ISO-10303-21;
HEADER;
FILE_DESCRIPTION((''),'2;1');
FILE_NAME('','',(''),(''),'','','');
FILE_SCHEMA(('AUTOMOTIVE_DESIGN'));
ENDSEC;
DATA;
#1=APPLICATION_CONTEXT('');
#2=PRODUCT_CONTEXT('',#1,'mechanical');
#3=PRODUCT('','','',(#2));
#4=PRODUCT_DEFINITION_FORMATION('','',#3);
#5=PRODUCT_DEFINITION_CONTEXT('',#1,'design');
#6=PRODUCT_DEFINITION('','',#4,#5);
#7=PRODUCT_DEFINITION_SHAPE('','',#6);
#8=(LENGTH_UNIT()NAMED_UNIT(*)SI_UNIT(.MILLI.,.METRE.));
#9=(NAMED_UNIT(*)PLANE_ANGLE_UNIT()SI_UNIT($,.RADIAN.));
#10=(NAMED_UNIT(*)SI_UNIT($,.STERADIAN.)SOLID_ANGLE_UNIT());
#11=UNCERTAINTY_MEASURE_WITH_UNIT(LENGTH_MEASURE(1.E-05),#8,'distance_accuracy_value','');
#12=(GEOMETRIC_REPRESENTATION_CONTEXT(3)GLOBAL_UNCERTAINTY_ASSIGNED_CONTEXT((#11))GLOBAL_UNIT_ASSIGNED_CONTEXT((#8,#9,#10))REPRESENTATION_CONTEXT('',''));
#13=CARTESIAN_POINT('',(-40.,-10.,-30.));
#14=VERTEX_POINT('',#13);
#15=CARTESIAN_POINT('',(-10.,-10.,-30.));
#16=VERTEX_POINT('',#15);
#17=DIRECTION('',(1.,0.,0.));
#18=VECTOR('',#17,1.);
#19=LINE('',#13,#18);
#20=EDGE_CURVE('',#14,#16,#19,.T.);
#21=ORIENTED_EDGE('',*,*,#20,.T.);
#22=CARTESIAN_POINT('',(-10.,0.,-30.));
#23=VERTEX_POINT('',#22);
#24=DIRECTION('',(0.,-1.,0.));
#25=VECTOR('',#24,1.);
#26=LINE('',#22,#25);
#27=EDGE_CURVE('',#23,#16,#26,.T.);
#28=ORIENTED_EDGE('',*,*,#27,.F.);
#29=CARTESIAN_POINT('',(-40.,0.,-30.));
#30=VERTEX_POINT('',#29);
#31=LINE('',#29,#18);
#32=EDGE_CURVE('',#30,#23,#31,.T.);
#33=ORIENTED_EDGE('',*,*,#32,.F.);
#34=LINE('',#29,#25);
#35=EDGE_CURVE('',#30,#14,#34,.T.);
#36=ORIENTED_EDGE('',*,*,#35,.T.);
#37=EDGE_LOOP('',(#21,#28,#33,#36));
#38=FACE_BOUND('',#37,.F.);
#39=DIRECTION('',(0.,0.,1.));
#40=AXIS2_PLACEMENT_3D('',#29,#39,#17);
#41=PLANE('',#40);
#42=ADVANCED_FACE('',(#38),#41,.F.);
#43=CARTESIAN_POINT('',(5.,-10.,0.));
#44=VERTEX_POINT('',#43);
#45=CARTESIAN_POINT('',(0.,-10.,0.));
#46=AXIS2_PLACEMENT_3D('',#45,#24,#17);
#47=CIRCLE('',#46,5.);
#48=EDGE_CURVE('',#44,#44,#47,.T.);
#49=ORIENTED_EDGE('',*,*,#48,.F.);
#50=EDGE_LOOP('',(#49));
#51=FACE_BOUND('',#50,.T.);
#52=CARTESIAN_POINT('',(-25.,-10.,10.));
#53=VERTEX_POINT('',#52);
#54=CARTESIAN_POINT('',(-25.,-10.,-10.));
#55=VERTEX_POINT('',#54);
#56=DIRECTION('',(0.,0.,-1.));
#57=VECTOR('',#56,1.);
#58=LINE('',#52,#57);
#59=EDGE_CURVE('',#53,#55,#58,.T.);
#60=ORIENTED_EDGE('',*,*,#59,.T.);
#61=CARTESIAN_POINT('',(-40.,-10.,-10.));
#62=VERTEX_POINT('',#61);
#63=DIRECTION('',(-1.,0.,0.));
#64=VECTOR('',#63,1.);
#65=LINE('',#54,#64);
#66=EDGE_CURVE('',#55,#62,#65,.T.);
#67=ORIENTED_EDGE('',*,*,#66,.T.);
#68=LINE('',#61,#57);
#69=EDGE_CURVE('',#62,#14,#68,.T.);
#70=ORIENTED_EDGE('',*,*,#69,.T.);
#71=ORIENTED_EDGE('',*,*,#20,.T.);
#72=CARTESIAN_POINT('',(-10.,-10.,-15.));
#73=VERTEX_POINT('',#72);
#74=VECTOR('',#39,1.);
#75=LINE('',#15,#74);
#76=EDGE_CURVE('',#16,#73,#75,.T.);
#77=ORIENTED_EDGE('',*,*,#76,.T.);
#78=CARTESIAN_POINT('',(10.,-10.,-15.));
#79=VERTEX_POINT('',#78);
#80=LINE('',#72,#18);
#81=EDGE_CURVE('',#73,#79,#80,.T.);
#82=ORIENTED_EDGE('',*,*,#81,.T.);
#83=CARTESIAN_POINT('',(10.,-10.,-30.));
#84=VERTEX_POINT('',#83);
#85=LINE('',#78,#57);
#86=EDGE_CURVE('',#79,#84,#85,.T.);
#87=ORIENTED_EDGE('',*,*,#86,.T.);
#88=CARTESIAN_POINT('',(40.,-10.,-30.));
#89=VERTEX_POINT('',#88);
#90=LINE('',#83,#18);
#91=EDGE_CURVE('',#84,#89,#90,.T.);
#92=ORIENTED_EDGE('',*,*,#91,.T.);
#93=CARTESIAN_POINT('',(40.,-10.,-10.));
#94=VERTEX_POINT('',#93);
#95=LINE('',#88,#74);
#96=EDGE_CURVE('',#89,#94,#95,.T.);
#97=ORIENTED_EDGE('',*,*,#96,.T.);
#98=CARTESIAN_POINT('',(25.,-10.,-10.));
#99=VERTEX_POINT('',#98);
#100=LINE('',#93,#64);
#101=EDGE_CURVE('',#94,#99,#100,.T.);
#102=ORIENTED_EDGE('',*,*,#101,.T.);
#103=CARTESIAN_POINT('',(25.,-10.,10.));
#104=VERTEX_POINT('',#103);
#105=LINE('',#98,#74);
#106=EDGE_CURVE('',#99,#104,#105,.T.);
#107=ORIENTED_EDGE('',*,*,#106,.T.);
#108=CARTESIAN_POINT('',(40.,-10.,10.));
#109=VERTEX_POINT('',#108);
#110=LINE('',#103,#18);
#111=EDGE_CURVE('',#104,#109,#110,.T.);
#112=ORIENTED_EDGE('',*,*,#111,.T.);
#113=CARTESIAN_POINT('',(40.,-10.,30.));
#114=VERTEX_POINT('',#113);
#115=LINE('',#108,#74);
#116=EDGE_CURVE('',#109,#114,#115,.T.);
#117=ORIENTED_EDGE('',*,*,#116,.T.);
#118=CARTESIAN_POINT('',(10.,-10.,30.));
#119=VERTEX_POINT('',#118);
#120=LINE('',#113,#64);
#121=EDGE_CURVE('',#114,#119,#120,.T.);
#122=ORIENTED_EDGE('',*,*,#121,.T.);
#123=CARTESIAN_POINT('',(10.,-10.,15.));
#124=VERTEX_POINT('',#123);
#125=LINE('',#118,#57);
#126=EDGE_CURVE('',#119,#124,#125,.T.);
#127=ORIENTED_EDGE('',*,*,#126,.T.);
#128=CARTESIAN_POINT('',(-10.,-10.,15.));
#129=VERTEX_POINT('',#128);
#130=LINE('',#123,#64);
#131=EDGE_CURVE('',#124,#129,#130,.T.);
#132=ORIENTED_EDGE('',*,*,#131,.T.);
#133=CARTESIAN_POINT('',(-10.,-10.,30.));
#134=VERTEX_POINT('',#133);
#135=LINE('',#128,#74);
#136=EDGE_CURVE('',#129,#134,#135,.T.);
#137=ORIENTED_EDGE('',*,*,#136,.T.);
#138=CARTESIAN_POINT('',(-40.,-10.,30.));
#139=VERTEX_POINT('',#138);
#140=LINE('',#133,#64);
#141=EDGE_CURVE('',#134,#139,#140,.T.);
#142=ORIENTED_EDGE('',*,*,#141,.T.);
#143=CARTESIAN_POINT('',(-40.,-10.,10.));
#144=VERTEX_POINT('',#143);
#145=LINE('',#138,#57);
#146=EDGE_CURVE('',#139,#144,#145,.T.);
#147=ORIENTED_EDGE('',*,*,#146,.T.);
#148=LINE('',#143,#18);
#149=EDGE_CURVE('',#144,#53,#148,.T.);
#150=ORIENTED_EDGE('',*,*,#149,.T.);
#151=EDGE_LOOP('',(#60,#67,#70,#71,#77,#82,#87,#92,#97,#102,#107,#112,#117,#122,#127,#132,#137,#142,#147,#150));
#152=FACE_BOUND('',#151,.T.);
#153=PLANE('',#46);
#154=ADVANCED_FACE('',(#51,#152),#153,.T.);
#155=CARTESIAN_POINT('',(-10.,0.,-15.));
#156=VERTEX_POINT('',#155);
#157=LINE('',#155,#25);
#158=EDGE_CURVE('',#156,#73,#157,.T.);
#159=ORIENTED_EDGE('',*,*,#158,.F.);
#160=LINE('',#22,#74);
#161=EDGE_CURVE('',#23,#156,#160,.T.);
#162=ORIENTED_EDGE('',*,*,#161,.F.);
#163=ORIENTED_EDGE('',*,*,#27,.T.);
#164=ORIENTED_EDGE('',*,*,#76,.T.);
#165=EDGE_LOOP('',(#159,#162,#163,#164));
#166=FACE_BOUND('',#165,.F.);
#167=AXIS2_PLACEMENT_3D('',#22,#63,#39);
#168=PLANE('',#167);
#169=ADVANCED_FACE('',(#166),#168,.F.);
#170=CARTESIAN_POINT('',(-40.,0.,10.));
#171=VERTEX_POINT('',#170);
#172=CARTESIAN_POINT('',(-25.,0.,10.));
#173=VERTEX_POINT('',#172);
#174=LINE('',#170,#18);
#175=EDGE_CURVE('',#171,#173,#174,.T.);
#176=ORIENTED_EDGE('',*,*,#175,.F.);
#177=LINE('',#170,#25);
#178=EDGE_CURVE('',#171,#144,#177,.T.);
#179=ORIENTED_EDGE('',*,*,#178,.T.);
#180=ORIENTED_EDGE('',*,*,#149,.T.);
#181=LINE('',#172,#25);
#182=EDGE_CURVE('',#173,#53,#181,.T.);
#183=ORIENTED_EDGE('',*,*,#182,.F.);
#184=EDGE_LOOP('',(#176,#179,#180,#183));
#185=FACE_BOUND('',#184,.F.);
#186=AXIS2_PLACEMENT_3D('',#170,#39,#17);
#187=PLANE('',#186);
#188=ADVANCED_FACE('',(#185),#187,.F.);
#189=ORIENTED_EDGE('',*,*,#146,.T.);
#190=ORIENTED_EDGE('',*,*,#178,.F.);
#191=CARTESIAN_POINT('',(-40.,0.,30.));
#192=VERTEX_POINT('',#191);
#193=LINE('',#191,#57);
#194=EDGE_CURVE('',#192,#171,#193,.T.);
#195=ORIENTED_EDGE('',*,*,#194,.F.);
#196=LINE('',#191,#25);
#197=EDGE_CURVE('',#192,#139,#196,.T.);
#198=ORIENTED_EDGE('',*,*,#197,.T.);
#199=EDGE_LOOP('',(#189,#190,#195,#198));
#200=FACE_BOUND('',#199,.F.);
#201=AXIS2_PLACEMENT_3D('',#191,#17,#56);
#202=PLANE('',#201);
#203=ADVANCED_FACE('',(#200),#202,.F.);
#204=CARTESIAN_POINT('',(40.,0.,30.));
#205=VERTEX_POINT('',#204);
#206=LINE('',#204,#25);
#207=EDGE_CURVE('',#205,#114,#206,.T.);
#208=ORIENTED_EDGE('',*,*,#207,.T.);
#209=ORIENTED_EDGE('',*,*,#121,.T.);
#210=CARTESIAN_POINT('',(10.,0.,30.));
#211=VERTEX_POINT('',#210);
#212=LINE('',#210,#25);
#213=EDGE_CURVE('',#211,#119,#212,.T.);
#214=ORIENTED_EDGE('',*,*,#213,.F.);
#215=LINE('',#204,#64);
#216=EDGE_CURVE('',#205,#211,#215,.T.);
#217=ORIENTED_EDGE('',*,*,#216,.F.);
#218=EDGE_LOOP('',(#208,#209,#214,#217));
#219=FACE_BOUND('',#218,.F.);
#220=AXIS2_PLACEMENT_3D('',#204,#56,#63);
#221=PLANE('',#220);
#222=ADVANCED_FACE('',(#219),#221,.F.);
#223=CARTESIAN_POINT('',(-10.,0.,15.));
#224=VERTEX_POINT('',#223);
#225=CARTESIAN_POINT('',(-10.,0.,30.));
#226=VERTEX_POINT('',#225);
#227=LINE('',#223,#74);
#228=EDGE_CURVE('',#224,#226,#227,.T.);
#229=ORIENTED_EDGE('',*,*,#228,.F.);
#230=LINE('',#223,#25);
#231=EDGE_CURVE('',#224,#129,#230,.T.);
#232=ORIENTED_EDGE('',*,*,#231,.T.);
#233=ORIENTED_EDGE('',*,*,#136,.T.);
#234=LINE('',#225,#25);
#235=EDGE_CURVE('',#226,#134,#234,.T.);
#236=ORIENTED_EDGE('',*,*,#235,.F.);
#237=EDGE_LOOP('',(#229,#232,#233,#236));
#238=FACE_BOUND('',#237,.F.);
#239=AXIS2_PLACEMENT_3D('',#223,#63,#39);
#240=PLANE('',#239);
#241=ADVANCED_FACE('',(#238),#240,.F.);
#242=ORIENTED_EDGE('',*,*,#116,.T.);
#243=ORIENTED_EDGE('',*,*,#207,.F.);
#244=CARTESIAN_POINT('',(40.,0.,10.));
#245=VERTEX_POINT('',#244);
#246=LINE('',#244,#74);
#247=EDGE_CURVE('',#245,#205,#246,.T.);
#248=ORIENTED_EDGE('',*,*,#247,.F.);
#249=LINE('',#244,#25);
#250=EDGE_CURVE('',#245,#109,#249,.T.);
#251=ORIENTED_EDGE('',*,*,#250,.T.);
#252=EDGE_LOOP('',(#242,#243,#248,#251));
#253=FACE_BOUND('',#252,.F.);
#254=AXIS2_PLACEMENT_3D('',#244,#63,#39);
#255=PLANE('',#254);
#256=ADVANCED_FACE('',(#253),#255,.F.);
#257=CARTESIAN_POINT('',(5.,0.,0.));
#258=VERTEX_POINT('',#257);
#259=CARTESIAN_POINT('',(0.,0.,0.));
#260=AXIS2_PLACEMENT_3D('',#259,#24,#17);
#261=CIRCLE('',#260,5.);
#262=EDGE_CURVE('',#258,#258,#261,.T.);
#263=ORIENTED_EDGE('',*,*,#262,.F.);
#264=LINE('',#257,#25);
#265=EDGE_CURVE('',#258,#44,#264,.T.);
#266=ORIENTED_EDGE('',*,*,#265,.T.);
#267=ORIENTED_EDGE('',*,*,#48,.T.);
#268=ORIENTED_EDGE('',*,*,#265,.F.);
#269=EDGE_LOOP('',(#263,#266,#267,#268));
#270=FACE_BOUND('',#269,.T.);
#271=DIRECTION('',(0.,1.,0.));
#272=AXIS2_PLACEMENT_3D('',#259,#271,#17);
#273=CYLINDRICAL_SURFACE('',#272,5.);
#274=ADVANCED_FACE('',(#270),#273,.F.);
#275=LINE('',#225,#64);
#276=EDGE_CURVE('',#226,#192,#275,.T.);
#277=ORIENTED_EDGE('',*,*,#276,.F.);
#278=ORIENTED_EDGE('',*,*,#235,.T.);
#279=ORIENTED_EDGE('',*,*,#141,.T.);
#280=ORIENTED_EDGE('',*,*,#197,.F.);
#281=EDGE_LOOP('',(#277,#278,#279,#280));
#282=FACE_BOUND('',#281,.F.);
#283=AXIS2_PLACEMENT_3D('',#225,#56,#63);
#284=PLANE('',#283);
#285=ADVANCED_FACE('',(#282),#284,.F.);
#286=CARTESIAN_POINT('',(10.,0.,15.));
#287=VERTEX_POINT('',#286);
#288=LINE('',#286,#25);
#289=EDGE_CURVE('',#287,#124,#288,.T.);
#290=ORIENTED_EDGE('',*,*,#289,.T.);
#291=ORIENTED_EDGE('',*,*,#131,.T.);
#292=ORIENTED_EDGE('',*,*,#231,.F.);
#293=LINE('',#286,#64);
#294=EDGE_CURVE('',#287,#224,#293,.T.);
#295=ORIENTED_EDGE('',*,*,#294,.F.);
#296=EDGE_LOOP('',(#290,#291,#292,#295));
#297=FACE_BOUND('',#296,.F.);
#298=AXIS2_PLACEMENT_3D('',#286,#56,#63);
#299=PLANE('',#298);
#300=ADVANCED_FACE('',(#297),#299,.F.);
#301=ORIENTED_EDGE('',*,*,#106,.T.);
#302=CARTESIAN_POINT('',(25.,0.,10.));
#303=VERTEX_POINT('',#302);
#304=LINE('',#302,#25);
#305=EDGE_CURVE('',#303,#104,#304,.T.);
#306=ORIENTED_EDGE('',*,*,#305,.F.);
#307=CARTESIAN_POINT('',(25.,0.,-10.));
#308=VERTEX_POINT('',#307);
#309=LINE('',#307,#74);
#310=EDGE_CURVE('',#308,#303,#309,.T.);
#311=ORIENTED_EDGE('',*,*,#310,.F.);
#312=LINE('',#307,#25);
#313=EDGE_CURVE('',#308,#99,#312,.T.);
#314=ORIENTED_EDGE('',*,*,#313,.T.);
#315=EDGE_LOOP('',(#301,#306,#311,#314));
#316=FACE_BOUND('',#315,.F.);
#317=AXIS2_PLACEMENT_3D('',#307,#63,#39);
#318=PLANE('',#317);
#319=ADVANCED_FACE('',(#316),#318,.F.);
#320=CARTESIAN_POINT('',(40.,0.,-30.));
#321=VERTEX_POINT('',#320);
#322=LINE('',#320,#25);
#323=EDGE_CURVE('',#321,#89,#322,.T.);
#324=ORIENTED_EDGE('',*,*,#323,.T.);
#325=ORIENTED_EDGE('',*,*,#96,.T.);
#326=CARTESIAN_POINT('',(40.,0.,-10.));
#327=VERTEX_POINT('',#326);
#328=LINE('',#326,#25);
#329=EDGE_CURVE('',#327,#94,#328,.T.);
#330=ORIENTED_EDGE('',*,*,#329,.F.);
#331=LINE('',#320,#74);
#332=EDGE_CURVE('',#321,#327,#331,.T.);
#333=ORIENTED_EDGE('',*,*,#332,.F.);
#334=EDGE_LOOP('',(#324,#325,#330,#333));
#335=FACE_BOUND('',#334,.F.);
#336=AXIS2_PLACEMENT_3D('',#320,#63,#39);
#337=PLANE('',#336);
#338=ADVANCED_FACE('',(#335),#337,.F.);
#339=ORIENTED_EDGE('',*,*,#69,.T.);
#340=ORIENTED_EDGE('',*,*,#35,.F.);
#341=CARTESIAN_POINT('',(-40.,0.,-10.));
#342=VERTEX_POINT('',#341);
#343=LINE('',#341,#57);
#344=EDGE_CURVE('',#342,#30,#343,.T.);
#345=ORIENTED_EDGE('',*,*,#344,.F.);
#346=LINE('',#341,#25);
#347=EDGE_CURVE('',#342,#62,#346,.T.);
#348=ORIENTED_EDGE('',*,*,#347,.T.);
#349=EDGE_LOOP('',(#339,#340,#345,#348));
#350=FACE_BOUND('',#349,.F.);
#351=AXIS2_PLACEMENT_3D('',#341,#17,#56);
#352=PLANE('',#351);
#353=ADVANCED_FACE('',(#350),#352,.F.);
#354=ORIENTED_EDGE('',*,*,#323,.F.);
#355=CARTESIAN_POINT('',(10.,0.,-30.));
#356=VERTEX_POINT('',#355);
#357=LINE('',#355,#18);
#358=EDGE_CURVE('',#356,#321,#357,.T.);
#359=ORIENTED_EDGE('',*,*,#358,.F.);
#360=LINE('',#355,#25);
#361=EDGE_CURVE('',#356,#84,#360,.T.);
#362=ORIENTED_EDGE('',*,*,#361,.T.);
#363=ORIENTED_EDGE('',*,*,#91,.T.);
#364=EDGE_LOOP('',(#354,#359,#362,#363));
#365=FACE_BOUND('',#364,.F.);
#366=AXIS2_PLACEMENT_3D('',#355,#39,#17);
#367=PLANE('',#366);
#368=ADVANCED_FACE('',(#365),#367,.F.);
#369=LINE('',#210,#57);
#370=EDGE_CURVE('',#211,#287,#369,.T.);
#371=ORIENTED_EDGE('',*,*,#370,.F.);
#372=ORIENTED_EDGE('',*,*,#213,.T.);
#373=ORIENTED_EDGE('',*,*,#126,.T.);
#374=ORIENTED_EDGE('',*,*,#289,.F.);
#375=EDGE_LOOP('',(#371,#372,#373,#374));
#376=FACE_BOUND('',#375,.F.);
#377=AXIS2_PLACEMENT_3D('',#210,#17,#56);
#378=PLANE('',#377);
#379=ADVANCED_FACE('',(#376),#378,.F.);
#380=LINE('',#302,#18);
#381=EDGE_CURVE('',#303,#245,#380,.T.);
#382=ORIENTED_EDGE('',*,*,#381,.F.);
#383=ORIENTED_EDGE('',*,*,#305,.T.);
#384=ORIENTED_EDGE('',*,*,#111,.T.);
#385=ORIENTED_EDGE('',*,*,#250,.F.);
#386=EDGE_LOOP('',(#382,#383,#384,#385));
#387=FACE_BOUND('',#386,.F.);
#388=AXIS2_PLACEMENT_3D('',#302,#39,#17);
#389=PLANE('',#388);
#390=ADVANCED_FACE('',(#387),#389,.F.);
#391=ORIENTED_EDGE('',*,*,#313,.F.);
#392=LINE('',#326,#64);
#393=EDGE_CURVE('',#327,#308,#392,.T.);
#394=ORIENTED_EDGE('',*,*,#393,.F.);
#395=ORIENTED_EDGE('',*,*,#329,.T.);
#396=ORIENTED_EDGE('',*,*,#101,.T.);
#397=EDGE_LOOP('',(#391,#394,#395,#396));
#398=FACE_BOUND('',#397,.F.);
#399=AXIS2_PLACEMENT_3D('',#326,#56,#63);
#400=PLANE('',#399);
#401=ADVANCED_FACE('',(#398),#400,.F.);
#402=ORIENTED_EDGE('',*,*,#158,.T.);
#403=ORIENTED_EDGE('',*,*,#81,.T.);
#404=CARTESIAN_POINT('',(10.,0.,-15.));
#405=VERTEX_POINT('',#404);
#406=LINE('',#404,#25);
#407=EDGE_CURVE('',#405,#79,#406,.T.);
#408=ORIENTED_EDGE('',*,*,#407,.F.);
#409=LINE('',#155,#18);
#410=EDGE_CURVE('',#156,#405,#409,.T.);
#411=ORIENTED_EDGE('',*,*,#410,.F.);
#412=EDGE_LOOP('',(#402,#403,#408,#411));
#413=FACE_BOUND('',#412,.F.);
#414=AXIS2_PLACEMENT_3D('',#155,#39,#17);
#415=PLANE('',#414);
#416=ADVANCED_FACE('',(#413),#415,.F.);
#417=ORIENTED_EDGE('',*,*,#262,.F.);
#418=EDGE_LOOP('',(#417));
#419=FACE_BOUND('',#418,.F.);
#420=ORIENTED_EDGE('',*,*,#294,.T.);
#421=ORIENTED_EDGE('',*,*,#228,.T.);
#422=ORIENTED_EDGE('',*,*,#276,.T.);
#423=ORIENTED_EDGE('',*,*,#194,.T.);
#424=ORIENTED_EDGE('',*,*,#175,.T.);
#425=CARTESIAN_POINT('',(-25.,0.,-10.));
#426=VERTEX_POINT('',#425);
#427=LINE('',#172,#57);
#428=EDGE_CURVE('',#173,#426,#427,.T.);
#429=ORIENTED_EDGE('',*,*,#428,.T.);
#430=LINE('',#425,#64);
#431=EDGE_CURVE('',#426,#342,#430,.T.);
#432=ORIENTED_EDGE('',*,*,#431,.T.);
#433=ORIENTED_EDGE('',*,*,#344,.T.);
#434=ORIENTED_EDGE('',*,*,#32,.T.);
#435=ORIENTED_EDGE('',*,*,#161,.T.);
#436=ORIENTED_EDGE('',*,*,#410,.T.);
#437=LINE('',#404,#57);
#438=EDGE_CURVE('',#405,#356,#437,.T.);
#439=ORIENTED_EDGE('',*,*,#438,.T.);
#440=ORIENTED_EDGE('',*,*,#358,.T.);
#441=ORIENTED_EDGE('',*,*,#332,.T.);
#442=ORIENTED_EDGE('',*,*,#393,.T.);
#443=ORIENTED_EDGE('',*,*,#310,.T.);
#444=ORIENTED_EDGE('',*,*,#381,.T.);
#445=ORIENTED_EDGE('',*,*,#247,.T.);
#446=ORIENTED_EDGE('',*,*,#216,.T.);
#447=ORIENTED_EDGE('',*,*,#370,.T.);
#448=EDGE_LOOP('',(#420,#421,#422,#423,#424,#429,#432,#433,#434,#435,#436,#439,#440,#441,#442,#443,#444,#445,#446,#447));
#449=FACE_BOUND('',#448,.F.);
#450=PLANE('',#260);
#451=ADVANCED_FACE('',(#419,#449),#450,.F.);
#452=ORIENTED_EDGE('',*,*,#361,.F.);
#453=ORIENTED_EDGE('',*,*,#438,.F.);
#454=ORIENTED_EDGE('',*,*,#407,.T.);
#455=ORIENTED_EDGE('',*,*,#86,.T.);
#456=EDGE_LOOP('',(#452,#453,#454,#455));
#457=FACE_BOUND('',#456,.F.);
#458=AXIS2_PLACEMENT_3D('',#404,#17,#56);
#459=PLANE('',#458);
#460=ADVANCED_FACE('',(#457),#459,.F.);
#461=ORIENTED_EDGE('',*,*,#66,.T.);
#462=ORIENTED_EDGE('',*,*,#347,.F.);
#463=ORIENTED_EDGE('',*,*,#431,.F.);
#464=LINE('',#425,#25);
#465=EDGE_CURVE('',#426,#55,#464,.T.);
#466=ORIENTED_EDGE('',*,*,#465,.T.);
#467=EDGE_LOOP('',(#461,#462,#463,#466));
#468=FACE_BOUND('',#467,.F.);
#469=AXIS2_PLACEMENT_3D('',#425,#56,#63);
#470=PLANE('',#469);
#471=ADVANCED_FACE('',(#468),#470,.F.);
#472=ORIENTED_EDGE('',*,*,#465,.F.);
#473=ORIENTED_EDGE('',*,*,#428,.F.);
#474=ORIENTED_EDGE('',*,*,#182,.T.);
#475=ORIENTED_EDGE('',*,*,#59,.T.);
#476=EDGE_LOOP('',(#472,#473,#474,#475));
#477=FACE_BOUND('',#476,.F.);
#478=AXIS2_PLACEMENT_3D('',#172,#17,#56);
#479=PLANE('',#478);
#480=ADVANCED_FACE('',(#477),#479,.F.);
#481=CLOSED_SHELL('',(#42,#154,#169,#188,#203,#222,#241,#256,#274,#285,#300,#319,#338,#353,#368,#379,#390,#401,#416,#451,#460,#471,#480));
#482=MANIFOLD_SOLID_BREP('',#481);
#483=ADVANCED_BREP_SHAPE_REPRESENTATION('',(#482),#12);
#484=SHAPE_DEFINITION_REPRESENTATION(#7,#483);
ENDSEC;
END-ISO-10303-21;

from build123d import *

# Parameters (mm, degrees)
F0_R     = 5
F1_DEPTH = 10


with BuildPart() as f1:
    # F0 (on Front) → F1 (new body)
    with BuildSketch(Plane.XZ):
        Polygon((-25, 10), (-25, 0), (-25, -10), (-40, -10), (-40, -30), (-10, -30), (-10, -15), (0, -15), (10, -15), (10, -30), (40, -30), (40, -10), (25, -10), (25, 0), (25, 10), (40, 10), (40, 30), (10, 30), (10, 15), (0, 15), (-10, 15), (-10, 30), (-40, 30), (-40, 10), align=None)
        Circle(F0_R, mode=Mode.SUBTRACT)
    extrude(amount=F1_DEPTH)


solid = f1.part
